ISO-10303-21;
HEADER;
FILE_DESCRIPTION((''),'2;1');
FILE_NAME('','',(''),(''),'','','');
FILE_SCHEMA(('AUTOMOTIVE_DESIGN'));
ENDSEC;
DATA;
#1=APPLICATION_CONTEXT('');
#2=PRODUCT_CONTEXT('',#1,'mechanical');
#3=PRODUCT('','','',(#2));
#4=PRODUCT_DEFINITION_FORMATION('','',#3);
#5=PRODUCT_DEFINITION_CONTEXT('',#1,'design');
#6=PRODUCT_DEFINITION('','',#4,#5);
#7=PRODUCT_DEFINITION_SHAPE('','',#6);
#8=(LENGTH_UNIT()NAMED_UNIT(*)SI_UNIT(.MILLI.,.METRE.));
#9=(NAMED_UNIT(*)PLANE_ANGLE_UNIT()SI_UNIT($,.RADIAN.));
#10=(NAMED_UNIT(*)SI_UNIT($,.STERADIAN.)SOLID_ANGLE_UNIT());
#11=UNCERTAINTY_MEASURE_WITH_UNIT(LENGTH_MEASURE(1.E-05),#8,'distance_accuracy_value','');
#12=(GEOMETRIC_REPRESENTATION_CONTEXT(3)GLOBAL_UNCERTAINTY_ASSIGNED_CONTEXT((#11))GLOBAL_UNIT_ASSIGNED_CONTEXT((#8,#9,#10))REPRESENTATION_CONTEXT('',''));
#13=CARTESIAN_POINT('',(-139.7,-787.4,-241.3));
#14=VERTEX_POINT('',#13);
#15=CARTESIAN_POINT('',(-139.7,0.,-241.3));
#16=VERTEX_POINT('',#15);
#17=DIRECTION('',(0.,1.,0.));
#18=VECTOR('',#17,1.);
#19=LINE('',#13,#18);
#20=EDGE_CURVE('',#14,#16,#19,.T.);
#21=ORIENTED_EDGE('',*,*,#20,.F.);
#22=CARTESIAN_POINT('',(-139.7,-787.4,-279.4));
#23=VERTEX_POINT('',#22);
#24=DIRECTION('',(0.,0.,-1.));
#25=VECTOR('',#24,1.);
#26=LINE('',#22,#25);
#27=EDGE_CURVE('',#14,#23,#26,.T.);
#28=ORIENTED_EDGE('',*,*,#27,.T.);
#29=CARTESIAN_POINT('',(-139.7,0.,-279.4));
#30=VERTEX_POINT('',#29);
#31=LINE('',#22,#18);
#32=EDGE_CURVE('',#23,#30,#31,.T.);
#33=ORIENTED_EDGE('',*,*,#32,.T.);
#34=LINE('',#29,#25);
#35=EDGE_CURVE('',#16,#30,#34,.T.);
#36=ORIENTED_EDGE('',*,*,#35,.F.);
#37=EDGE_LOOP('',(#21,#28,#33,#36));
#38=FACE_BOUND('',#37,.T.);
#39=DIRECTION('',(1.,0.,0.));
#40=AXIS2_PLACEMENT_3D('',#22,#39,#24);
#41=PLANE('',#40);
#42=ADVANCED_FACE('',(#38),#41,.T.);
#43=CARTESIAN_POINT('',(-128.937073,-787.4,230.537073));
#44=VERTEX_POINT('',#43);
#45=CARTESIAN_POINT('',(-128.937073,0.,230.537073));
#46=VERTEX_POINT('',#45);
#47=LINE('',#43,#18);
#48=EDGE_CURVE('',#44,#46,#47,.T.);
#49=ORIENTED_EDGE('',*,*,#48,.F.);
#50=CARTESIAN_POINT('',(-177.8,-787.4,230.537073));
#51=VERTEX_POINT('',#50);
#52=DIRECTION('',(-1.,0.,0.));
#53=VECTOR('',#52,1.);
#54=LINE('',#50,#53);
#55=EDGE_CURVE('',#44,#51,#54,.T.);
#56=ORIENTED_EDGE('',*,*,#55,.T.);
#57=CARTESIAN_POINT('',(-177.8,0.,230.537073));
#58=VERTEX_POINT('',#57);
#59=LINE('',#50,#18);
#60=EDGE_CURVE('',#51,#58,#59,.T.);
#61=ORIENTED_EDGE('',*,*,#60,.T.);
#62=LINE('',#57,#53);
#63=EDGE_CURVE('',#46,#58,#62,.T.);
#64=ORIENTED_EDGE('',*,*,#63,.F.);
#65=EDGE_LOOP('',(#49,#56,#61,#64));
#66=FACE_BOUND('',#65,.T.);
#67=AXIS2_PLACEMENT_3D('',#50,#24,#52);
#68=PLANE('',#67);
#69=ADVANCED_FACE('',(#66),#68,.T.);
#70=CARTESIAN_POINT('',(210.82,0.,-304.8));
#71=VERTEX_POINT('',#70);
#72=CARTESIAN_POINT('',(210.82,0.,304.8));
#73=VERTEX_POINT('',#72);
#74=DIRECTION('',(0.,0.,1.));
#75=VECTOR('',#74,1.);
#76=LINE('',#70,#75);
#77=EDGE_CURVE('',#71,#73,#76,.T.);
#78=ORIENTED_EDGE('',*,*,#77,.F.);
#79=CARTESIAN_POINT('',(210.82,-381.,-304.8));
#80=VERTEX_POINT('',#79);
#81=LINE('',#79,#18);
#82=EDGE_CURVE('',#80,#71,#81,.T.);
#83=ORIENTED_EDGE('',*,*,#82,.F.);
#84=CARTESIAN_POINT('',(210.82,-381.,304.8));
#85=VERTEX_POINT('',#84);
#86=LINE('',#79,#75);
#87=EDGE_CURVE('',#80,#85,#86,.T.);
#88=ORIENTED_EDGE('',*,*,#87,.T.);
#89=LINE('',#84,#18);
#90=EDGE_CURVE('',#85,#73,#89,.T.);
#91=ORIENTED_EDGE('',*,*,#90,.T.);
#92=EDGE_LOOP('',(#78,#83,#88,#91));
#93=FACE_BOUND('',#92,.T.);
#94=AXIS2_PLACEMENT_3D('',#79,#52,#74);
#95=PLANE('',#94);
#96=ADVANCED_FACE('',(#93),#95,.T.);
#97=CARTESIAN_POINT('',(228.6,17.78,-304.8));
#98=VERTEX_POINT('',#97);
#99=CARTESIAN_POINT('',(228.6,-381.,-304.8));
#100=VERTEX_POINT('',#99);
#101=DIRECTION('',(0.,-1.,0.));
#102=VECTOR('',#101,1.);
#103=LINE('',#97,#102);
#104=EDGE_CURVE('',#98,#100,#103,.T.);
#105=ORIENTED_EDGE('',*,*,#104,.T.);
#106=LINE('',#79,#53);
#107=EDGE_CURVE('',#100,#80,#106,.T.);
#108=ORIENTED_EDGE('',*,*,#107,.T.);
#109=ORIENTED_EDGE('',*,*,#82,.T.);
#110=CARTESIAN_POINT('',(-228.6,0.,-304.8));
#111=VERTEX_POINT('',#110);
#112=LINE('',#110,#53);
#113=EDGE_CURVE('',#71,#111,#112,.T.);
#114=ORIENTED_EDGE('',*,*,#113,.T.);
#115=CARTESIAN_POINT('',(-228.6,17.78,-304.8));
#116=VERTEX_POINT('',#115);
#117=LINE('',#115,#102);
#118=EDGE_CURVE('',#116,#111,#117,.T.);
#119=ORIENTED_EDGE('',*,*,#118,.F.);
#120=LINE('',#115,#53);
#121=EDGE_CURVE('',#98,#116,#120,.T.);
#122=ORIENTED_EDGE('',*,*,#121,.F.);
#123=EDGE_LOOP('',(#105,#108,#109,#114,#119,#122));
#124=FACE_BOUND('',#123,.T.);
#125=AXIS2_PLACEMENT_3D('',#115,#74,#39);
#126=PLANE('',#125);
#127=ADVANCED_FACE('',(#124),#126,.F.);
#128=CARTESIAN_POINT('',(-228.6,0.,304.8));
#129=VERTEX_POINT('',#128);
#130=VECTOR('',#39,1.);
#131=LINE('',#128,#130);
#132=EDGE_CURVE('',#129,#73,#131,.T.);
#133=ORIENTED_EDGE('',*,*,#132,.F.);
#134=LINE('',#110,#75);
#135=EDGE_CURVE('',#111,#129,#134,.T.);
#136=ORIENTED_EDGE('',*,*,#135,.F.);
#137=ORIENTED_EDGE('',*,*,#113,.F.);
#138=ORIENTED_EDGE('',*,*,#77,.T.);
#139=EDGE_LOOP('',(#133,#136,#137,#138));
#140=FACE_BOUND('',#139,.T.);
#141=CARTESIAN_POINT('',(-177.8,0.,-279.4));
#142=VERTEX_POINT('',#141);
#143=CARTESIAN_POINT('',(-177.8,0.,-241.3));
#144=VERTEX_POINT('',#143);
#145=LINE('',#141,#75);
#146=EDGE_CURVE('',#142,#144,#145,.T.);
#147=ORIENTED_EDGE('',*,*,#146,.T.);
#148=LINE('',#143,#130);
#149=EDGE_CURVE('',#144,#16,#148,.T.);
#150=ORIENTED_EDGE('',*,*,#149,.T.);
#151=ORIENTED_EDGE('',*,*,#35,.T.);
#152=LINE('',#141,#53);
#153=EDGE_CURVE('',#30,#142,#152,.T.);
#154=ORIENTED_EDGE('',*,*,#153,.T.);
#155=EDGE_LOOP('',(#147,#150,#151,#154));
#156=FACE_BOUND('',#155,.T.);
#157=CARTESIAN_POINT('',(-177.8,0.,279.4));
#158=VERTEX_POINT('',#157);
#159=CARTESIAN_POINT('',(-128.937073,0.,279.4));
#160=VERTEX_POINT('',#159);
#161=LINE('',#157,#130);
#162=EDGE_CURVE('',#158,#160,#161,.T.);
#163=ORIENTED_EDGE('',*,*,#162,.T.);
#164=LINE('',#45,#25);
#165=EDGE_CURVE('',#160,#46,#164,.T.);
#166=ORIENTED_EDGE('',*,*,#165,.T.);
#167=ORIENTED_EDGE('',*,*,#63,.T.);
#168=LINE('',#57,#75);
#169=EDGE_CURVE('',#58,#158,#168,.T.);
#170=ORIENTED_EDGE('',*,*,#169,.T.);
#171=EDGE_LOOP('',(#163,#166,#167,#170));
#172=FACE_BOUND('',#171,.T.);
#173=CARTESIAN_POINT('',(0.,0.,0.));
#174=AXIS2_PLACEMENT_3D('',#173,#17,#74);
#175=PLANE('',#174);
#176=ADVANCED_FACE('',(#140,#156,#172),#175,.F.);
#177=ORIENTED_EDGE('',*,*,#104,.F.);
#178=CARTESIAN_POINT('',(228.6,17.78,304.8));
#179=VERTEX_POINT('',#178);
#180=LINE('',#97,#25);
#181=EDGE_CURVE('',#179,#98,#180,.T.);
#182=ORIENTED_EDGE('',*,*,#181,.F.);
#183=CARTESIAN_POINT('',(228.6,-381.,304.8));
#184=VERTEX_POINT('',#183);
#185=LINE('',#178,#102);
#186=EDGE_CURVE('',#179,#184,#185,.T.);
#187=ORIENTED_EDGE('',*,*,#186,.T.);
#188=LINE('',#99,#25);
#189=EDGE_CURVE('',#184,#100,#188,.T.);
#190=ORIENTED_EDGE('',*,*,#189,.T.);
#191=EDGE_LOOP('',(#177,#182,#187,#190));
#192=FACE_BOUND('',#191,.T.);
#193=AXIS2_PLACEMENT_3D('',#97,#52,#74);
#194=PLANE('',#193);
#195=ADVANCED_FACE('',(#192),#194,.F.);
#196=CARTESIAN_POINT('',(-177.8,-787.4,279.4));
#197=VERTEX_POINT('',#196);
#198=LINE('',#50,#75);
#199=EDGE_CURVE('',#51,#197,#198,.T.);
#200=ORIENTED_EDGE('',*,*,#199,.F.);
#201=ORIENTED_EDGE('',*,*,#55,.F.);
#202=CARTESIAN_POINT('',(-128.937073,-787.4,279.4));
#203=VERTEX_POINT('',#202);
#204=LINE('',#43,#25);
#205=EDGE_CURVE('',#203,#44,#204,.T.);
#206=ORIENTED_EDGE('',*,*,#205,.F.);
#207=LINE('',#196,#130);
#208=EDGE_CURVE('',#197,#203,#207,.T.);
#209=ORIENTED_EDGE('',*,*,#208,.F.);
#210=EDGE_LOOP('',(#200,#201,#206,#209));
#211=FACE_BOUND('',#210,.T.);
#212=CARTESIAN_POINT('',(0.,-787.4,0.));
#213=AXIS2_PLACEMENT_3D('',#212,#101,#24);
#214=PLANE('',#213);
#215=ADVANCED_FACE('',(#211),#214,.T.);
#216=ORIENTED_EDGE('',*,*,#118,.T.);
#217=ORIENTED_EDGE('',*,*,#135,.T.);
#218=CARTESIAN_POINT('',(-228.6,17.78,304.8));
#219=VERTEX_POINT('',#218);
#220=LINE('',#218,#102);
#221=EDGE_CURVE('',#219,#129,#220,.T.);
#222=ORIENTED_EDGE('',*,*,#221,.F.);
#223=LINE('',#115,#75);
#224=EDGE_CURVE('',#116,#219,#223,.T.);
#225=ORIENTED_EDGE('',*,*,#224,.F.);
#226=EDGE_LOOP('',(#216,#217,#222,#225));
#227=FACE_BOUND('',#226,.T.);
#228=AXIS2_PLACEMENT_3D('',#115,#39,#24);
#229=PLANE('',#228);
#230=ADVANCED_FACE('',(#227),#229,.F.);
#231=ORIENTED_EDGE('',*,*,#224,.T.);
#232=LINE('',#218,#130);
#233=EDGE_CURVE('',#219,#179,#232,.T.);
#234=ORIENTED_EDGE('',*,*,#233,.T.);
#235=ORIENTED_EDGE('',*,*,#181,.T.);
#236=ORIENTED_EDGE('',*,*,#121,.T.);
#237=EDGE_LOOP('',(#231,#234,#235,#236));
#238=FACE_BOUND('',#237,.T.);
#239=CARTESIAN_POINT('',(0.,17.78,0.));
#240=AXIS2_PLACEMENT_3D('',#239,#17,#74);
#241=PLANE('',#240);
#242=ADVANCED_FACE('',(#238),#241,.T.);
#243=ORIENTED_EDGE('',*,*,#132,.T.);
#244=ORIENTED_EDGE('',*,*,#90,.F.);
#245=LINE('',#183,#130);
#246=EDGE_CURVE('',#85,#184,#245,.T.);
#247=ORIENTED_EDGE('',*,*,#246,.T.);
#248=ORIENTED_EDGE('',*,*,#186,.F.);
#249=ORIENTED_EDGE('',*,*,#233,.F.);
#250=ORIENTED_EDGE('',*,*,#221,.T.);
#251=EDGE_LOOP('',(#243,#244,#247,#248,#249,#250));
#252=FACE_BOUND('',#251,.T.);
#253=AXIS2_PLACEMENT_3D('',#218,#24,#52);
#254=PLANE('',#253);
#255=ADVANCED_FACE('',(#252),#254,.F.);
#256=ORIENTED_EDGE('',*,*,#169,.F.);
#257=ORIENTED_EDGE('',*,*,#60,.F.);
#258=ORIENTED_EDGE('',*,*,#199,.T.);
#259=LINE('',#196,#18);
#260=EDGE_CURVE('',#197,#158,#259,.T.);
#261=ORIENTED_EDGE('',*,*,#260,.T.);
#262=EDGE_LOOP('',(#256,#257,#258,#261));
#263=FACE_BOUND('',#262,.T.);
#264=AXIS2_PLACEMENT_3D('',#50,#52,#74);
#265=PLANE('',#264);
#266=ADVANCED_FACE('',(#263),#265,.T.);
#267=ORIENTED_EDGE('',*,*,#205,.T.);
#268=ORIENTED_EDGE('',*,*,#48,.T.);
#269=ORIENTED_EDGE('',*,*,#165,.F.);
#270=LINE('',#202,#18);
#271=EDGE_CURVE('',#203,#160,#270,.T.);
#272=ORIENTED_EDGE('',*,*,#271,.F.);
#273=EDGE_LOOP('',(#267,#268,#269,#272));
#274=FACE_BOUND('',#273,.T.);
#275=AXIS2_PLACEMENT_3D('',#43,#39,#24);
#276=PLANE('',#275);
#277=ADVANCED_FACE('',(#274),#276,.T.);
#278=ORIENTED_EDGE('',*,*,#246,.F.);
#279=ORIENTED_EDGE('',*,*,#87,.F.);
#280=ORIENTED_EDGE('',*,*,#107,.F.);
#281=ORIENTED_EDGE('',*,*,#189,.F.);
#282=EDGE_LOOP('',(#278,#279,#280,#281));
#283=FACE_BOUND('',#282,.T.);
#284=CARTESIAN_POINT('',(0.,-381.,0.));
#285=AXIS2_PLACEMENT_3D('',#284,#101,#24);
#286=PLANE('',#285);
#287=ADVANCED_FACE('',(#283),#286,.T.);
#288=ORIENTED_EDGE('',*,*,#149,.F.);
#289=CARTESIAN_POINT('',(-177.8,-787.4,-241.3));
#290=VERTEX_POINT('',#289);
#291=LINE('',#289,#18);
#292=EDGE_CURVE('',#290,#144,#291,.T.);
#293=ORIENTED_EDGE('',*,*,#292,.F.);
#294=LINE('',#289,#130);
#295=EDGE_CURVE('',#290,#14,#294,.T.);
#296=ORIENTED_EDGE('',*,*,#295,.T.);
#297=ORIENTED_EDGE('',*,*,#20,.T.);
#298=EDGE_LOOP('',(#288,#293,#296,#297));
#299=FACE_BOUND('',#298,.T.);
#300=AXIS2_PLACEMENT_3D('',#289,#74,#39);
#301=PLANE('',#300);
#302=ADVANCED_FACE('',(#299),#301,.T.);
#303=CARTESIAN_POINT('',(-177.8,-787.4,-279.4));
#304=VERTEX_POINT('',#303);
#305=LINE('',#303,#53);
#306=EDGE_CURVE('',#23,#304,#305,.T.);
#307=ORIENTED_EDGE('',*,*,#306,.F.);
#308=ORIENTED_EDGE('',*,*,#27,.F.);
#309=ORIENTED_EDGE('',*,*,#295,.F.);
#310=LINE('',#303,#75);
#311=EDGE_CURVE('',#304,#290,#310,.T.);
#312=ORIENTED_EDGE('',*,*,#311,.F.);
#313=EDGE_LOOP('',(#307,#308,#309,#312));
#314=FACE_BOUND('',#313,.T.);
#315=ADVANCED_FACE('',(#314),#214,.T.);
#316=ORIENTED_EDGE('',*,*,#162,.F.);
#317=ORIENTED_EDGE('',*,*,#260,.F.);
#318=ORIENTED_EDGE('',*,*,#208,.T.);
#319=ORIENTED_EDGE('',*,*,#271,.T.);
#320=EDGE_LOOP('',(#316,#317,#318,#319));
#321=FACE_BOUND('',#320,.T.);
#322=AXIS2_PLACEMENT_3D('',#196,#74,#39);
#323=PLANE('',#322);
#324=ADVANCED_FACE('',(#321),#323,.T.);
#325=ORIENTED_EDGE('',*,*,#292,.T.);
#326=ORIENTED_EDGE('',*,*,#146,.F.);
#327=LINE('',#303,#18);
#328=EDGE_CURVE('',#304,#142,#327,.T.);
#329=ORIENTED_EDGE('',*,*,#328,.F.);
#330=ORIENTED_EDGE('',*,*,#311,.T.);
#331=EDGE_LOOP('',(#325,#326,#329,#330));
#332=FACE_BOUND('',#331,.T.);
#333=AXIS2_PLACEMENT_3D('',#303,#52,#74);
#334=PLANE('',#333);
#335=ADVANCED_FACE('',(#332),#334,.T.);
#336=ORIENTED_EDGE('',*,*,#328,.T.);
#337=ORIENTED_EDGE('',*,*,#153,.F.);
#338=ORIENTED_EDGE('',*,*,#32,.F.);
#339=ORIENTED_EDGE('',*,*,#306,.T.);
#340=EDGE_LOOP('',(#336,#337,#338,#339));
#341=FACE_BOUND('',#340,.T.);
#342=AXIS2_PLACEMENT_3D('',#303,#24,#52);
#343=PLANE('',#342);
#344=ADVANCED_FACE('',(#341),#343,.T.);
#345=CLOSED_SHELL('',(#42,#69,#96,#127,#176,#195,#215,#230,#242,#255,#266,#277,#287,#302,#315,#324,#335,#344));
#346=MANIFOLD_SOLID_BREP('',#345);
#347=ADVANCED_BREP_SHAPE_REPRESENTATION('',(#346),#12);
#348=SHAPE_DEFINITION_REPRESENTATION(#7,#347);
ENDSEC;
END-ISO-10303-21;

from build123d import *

# Parameters (mm, degrees)
SKETCH2_W                = 457.2
SKETCH2_H                = 609.6
SKETCH2_W_2              = 38.1
SKETCH2_H_2              = 38.1
SKETCH2_W_3              = 48.862926818
SKETCH2_H_3              = 48.862926818
BOSS_EXTRUDE1_DEPTH      = 17.78
SKETCH3_W                = 17.78
SKETCH3_H                = 609.6
BOSS_EXTRUDE2_DEPTH      = 381
BOSS_EXTRUDE3_DEPTH      = 17.78
BOSS_EXTRUDE3_DEPTH_BACK = 787.4
SKETCH4_W                = 38.1
SKETCH4_H                = 38.1
SKETCH4_W_2              = 48.862926818
SKETCH4_H_2              = 48.862926818


with BuildPart() as part:
    # Sketch2 → Boss-Extrude1 (new body)
    with BuildSketch(Plane(origin=(0, 0, 0), x_dir=(1, 0, 0), z_dir=(0, 1, 0))):
        Rectangle(SKETCH2_W, SKETCH2_H)
        with Locations((-158.75, 260.35)):
            Rectangle(SKETCH2_W_2, SKETCH2_H_2, mode=Mode.SUBTRACT)
        with Locations((-153.368536591, -254.968536591)):
            Rectangle(SKETCH2_W_3, SKETCH2_H_3, mode=Mode.SUBTRACT)
    extrude(amount=BOSS_EXTRUDE1_DEPTH)

    # Sketch3 → Boss-Extrude2 (add)
    with BuildSketch(Plane(origin=(0, 0, 0), x_dir=(1, 0, 0), z_dir=(0, 1, 0))):
        with Locations((219.71, 0)):
            Rectangle(SKETCH3_W, SKETCH3_H)
    extrude(amount=-BOSS_EXTRUDE2_DEPTH)

    # Sketch4 → Boss-Extrude3 (add, two sides: drawn at the far end of the back side and taken through both)
    with BuildSketch(Plane(origin=(0, 0, 0), x_dir=(1, 0, 0), z_dir=(0, 1, 0)).offset(-BOSS_EXTRUDE3_DEPTH_BACK)):
        with Locations((-158.75, 260.35)):
            Rectangle(SKETCH4_W, SKETCH4_H)
        with Locations((-153.368536591, -254.968536591)):
            Rectangle(SKETCH4_W_2, SKETCH4_H_2)
    extrude(amount=BOSS_EXTRUDE3_DEPTH + BOSS_EXTRUDE3_DEPTH_BACK)


solid = part.part
